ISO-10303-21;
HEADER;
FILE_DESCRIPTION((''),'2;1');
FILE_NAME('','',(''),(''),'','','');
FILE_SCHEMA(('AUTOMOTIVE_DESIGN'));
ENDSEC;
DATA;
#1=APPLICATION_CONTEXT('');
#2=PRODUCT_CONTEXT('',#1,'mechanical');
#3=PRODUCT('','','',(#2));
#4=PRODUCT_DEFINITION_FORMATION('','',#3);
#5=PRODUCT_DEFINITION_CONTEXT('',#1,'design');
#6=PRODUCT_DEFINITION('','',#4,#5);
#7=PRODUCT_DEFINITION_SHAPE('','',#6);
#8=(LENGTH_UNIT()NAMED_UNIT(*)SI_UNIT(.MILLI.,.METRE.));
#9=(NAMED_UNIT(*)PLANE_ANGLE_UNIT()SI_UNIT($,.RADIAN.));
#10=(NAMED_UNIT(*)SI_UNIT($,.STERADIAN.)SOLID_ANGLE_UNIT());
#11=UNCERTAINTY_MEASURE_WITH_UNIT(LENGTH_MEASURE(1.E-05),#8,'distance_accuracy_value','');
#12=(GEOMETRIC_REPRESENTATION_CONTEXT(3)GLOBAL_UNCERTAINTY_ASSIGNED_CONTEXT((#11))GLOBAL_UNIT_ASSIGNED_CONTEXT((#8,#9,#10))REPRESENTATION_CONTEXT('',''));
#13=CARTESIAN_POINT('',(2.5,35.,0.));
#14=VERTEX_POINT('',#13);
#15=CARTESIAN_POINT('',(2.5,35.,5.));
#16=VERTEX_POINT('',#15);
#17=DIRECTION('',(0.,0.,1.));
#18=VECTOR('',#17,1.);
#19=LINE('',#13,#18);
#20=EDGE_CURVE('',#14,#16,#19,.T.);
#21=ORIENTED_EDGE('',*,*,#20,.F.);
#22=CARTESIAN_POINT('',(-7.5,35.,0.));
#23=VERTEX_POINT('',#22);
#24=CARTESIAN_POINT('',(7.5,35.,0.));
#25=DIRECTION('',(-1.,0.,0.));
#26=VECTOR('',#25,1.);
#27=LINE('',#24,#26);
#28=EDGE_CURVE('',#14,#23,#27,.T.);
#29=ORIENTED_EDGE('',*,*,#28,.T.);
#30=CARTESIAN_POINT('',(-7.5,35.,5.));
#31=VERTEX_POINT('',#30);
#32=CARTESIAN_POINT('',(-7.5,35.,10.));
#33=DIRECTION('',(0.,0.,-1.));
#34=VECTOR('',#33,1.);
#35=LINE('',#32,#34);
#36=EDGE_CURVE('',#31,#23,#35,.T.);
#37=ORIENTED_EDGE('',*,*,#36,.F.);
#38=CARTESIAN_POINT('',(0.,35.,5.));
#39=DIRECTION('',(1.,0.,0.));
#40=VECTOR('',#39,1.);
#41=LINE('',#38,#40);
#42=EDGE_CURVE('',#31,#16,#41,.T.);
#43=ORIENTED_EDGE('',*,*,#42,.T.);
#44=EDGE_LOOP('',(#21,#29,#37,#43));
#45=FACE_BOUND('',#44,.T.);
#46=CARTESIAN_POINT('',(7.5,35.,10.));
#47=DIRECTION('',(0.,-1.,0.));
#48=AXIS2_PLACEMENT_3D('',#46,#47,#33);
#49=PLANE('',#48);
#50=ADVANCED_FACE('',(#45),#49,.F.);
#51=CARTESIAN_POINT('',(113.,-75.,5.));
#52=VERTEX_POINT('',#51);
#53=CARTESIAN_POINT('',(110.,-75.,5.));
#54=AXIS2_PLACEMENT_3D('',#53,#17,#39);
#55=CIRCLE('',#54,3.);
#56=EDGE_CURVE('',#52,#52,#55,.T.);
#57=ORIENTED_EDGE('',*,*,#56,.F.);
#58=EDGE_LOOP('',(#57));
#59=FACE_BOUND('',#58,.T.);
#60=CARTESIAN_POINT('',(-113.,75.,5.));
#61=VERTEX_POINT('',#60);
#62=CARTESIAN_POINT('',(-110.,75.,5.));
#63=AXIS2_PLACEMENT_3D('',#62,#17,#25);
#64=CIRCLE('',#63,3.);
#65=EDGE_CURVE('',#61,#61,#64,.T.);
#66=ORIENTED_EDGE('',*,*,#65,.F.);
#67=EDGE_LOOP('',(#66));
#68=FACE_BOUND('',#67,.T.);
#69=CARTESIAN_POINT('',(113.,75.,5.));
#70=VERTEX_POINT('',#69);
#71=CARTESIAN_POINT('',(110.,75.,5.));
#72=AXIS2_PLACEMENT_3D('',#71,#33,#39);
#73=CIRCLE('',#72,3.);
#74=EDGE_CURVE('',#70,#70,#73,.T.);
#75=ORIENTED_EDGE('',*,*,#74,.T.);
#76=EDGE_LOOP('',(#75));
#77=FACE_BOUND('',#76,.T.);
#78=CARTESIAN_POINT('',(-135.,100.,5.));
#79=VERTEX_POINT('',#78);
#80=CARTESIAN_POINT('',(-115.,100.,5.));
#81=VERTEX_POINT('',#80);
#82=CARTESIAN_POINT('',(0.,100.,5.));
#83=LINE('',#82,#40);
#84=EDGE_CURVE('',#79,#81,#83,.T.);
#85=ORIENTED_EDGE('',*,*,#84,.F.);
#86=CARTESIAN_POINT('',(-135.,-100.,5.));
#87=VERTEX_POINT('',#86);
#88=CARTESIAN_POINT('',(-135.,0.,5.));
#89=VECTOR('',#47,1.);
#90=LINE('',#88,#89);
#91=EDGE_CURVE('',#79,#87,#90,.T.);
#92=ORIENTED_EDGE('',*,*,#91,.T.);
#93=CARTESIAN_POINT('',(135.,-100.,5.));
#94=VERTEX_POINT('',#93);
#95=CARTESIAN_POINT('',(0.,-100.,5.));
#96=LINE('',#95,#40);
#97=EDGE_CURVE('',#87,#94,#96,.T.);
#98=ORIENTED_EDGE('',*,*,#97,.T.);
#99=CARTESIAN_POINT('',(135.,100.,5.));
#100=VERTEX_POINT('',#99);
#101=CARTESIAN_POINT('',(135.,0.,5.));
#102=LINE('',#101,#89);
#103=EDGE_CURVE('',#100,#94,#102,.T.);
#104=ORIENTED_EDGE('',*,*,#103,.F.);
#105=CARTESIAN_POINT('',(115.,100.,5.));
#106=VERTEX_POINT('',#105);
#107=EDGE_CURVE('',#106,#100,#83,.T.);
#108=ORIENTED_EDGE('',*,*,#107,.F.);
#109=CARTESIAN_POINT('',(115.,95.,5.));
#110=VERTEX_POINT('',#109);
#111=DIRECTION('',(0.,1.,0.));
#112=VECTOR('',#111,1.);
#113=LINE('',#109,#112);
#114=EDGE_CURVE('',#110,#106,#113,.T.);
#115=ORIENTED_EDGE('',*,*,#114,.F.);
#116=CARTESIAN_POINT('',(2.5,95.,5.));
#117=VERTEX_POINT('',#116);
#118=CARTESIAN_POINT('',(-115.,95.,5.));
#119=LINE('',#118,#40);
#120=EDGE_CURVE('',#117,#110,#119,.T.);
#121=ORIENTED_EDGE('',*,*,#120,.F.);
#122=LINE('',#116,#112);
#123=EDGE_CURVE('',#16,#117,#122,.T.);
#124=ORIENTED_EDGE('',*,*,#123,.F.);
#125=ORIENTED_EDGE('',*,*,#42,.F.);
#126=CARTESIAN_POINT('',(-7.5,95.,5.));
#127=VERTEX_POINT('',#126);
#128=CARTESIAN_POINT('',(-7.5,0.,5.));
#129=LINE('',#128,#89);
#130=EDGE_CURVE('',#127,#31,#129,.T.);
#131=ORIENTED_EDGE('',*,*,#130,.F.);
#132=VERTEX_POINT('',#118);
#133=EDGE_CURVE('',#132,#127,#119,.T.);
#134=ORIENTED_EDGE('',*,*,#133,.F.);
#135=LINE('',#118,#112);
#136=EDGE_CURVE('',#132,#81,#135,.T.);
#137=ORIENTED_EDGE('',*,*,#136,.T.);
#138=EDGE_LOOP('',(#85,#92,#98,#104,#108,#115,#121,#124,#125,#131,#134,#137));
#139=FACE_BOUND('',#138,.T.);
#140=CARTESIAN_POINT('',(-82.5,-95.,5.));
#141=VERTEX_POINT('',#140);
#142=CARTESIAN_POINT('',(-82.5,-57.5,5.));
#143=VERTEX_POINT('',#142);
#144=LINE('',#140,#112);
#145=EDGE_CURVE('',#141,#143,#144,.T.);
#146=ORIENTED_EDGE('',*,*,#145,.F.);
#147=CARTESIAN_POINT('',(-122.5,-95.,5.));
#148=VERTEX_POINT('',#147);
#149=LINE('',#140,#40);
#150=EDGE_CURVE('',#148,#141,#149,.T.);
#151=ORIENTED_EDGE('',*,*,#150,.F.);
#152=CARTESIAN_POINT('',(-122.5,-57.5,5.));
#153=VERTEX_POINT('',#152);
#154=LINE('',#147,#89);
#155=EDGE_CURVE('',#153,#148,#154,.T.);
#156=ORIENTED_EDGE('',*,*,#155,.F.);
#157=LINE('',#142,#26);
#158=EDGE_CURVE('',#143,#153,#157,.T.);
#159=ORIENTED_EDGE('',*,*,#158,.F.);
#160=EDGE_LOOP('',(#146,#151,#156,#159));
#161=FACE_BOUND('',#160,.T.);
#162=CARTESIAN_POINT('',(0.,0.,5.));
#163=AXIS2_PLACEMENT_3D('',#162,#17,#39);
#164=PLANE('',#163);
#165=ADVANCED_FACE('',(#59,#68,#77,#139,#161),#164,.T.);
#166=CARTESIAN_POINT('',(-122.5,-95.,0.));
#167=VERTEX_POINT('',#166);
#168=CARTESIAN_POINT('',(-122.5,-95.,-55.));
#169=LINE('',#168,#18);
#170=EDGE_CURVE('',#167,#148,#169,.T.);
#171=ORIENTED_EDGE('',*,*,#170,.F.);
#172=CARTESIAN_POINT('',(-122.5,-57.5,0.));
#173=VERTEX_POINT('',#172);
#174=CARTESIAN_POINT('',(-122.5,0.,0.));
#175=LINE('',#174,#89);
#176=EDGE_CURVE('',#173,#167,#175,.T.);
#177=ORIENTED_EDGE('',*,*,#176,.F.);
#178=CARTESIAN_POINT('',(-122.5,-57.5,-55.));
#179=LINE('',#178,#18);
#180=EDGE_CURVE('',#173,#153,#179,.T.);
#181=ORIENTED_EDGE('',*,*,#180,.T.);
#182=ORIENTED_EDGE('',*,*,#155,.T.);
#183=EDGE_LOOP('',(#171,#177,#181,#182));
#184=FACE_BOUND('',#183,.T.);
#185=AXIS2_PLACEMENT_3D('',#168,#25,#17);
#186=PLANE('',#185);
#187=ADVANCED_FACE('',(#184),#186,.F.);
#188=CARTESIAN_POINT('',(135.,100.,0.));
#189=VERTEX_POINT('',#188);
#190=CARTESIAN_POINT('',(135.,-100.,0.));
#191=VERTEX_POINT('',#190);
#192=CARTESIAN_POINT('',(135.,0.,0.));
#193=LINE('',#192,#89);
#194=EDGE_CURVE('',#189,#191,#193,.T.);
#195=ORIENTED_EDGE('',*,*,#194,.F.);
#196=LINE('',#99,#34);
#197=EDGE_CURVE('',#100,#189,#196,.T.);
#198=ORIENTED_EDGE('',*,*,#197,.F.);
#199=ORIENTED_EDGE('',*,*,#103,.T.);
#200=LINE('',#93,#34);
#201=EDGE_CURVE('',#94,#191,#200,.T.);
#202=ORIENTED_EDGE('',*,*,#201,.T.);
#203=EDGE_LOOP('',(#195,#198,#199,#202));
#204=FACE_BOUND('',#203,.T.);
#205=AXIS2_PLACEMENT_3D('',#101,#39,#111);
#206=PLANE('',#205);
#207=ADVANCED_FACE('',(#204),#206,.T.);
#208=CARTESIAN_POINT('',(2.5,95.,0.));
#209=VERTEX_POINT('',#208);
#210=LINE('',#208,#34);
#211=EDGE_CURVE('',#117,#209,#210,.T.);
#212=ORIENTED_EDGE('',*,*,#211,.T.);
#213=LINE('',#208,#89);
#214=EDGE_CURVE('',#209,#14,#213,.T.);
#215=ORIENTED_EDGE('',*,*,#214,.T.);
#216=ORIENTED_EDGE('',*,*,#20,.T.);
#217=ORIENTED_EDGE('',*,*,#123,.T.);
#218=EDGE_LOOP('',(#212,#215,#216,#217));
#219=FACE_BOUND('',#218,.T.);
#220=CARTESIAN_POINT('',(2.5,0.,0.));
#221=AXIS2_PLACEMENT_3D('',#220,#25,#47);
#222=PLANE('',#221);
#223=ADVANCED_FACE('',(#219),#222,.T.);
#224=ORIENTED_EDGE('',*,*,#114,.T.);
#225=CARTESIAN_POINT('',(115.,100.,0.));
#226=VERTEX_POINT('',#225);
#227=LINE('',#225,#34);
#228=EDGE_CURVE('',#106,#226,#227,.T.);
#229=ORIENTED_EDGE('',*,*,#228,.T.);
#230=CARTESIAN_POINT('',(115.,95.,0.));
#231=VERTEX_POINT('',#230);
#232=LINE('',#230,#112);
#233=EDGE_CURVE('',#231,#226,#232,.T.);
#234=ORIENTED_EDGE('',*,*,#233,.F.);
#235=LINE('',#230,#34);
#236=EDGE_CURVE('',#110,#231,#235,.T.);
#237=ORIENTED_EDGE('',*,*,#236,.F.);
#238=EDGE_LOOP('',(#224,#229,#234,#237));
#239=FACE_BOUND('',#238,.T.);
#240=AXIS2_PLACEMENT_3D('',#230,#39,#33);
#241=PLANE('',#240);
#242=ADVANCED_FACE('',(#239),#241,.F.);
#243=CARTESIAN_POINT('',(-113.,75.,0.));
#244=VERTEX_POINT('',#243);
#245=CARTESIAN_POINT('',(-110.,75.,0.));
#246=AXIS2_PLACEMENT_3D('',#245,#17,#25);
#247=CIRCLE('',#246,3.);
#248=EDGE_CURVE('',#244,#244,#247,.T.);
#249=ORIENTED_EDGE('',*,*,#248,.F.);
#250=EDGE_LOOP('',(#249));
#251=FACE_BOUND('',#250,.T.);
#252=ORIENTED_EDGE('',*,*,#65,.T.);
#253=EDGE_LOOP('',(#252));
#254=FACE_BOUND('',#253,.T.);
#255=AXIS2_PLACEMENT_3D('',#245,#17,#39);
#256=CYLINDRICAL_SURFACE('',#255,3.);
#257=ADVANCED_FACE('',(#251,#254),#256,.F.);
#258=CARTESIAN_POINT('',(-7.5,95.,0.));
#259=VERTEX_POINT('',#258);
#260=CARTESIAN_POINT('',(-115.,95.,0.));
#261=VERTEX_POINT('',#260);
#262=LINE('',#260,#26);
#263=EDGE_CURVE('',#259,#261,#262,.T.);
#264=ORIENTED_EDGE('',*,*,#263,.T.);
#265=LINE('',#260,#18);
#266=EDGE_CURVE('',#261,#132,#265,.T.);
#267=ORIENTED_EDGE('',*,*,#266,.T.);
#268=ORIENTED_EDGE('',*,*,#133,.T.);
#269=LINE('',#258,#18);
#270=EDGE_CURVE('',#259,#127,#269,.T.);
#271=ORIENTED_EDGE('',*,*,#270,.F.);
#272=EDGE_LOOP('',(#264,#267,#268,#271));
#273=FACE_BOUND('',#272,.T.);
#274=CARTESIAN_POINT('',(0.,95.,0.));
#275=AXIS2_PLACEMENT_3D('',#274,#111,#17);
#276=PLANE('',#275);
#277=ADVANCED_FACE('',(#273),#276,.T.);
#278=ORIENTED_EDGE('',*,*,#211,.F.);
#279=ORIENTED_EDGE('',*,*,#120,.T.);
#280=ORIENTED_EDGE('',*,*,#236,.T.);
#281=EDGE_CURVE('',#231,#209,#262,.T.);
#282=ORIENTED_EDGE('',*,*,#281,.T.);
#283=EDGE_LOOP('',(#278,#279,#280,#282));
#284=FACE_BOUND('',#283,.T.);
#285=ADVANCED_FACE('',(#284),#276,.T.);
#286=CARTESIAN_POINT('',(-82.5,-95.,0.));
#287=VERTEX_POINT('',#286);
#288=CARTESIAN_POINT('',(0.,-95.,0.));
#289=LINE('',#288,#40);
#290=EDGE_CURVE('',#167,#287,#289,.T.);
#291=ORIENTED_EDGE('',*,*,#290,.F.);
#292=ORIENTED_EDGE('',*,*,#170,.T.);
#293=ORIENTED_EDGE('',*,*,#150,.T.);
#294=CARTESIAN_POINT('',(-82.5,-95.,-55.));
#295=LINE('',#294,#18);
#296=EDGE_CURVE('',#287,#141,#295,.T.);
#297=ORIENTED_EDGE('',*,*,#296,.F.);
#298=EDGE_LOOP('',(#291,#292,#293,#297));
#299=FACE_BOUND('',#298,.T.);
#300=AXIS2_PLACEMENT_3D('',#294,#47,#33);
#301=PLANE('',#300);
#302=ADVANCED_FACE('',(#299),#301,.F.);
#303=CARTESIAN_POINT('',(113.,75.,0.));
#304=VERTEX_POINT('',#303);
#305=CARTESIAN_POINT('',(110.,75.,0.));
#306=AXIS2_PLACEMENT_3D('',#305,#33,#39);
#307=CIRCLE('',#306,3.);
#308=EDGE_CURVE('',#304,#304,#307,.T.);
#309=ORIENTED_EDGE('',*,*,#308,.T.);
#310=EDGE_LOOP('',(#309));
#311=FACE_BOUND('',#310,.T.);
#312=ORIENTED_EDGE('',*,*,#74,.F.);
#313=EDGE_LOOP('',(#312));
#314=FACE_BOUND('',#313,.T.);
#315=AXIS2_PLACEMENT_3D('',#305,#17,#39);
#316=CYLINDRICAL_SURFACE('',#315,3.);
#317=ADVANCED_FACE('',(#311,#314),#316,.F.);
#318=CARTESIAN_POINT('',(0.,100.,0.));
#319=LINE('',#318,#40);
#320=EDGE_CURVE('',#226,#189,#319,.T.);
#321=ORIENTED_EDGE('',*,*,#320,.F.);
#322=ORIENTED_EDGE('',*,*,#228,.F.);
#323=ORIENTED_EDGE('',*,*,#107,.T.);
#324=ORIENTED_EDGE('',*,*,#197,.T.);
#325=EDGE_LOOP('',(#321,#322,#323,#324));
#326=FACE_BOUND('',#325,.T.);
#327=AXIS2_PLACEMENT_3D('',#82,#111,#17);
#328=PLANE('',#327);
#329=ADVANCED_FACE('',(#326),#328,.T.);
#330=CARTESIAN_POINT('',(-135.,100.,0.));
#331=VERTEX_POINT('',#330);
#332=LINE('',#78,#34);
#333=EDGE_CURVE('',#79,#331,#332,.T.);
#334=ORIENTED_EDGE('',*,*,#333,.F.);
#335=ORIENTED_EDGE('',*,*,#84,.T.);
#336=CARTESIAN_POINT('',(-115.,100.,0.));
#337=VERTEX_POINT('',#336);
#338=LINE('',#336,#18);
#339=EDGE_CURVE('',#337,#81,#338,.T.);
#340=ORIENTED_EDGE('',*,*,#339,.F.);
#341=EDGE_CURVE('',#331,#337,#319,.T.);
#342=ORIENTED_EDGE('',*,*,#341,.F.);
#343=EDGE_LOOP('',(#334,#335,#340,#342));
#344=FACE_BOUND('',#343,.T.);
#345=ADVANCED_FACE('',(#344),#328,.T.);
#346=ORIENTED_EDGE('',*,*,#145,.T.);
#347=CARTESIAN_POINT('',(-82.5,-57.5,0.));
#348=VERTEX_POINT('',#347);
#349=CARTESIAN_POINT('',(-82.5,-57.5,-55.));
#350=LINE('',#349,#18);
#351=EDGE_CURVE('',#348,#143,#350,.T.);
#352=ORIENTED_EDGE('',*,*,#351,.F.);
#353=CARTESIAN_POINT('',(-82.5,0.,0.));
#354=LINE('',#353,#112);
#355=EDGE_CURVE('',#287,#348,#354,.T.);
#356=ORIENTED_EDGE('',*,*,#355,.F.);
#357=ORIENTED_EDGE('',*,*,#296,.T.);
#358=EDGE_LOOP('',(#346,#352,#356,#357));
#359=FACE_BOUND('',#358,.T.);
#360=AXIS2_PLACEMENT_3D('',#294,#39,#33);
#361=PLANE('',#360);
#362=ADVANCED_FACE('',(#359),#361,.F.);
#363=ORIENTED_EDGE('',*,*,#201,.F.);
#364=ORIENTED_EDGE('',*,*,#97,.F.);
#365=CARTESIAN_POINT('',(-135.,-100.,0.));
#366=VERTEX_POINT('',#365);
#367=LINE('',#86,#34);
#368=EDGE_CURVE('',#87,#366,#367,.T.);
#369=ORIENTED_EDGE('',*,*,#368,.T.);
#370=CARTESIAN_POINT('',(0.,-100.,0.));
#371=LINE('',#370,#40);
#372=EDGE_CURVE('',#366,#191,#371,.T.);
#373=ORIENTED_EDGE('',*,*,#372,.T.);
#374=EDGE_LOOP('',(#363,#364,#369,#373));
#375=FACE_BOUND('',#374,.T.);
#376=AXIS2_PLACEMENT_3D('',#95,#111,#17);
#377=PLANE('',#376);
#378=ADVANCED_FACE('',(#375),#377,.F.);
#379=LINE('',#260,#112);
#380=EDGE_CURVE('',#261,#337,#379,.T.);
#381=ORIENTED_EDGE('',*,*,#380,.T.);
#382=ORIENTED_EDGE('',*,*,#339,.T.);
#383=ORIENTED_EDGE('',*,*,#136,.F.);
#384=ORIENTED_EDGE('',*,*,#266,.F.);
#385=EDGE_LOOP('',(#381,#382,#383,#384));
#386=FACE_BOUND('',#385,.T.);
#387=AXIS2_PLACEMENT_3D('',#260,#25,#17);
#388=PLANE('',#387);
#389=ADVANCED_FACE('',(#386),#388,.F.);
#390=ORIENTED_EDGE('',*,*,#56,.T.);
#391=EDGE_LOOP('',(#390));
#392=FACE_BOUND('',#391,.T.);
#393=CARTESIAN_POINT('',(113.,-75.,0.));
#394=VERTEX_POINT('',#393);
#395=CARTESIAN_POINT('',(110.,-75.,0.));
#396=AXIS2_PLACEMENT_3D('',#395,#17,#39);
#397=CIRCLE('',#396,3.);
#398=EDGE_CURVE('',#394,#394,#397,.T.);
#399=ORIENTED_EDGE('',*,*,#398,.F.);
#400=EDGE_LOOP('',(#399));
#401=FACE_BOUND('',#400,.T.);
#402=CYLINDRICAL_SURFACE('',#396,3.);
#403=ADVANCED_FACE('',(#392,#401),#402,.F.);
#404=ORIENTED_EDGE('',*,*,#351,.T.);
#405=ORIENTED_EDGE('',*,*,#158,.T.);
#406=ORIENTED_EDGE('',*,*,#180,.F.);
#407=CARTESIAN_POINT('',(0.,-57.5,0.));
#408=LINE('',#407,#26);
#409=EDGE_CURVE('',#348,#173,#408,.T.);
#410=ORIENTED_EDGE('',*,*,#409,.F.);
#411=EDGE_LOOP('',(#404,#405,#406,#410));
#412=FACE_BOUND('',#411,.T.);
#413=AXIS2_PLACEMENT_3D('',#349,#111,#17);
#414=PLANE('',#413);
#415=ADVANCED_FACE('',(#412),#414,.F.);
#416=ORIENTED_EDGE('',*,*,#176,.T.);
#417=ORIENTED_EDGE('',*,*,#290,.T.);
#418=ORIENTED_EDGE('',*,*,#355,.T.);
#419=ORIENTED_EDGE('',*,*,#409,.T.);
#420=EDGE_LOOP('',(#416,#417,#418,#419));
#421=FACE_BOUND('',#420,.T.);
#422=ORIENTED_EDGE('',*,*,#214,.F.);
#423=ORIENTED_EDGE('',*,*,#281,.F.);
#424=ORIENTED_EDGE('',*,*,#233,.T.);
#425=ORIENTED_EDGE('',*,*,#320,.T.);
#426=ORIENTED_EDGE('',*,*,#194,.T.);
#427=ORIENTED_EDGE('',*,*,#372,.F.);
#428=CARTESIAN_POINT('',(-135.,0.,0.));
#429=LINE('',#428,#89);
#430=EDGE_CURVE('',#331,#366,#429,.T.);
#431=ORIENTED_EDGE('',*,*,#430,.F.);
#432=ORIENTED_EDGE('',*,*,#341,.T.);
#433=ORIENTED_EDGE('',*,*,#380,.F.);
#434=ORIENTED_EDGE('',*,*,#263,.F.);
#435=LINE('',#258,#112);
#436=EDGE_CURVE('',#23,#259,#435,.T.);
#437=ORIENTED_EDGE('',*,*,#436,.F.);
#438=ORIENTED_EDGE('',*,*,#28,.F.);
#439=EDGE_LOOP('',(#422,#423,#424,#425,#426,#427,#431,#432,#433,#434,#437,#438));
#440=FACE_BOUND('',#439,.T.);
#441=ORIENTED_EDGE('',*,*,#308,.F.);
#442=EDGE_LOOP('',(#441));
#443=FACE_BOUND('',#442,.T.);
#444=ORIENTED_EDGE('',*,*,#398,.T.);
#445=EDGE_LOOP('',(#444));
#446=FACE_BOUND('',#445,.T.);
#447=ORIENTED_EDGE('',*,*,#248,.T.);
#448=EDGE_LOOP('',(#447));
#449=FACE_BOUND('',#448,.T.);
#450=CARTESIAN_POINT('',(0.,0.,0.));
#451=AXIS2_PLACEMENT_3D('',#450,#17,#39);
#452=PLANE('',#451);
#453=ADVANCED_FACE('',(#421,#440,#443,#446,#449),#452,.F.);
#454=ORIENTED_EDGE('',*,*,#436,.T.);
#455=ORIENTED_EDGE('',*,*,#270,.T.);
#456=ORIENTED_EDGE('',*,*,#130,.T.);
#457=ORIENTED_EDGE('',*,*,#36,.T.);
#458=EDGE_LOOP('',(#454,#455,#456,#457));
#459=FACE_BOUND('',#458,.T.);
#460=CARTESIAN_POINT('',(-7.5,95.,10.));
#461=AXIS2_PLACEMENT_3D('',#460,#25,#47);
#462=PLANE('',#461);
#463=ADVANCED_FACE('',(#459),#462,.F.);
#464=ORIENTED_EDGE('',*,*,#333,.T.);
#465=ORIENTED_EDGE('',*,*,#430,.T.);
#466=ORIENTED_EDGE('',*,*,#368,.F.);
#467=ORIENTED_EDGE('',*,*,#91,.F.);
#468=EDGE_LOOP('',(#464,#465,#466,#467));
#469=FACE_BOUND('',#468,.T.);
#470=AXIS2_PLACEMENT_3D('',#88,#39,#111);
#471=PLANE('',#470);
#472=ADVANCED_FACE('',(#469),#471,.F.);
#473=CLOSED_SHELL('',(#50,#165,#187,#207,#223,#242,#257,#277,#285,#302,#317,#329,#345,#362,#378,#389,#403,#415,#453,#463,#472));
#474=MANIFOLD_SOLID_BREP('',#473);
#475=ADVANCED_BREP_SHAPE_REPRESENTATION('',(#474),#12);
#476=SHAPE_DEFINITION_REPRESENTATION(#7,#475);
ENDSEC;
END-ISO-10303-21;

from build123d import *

# Parameters (mm, degrees)
BOSS_EXTRU_2_DEPTH        = 5
ESQUISSE2_R               = 3
ENL_V_MAT_EXTRU_1_DEPTH   = 169.07736314
SYM_TRIE2_COPY_1_SKETCH_R = 3
SYM_TRIE2_COPY_1_DEPTH    = 169.07736314
ESQUISSE4_W               = 40
ESQUISSE4_H               = 37.5
ENL_V_MAT_EXTRU_2_DEPTH   = 60
ESQUISSE5_W               = 45
ESQUISSE5_H               = 5
BOSS_EXTRU_3_DEPTH        = 60
ESQUISSE7_W               = 230
ESQUISSE7_H               = 5
ENL_V_MAT_EXTRU_3_DEPTH   = 5
ESQUISSE11_W              = 15
ESQUISSE11_H              = 60
ENL_V_MAT_EXTRU_4_DEPTH   = 10
ESQUISSE12_W              = 5
ESQUISSE12_H              = 60
BOSS_EXTRU_4_DEPTH        = 5


with BuildPart() as part:
    # Esquisse1 → Boss.-Extru.2 (new body)
    with BuildSketch(Plane.XY):
        Polygon((135, 100), (-135, 100), (-135, 22.5), (-90, 22.5), (-90, -22.5), (-135, -22.5), (-135, -100), (135, -100), align=None)
    extrude(amount=BOSS_EXTRU_2_DEPTH)

    # Esquisse2 → Enlèv. mat.-Extru.1 (cut, through all)
    with BuildSketch(Plane.XY.offset(5)):
        with Locations((110, -75)):
            Circle(ESQUISSE2_R)
    enl_v_mat_extru_1 = extrude(amount=-ENL_V_MAT_EXTRU_1_DEPTH, mode=Mode.SUBTRACT)

    # Symétrie1: Enlèv. mat.-Extru.1 across plane
    add(enl_v_mat_extru_1.mirror(Plane(origin=(0, 0, 0), x_dir=(0, 0, 1), z_dir=(1, 0, 0))), mode=Mode.SUBTRACT)

    # Symétrie2: Enlèv. mat.-Extru.1 across plane
    add(enl_v_mat_extru_1.mirror(Plane(origin=(0, 0, 0), x_dir=(0, 0, 1), z_dir=(0, -1, 0))), mode=Mode.SUBTRACT)

    # Symétrie2 copy 1 sketch → Symétrie2 copy 1 (cut, through all)
    with BuildSketch(Plane(origin=(0, 0, 5), x_dir=(-1, 0, 0), z_dir=(0, 0, 1))):
        with Locations((110, -75)):
            Circle(SYM_TRIE2_COPY_1_SKETCH_R)
    extrude(amount=-SYM_TRIE2_COPY_1_DEPTH, mode=Mode.SUBTRACT)

    # Esquisse4 → Enlèv. mat.-Extru.2 (cut)
    with BuildSketch(Plane.XY.offset(5)):
        with Locations((-102.5, -76.25)):
            Rectangle(ESQUISSE4_W, ESQUISSE4_H)
    extrude(amount=-ENL_V_MAT_EXTRU_2_DEPTH, mode=Mode.SUBTRACT)

    # Esquisse5 → Boss.-Extru.3 (add)
    with BuildSketch(Plane(origin=(0, -22.5, 0), x_dir=(1, 0, 0), z_dir=(0, 1, 0))):
        with Locations((-112.5, -2.5)):
            Rectangle(ESQUISSE5_W, ESQUISSE5_H)
    extrude(amount=BOSS_EXTRU_3_DEPTH)

    # Esquisse7 → Enlèv. mat.-Extru.3 (cut)
    with BuildSketch(Plane(origin=(0, 100, 0), x_dir=(1, 0, 0), z_dir=(0, 1, 0))):
        with Locations((0, -2.5)):
            Rectangle(ESQUISSE7_W, ESQUISSE7_H)
    extrude(amount=-ENL_V_MAT_EXTRU_3_DEPTH, mode=Mode.SUBTRACT)

    # Esquisse11 → Enlèv. mat.-Extru.4 (cut)
    with BuildSketch(Plane(origin=(0, 0, 0), x_dir=(-1, 0, 0), z_dir=(0, 0, -1))):
        with Locations((0, 65)):
            Rectangle(ESQUISSE11_W, ESQUISSE11_H)
    extrude(amount=-ENL_V_MAT_EXTRU_4_DEPTH, mode=Mode.SUBTRACT)

    # Esquisse12 → Boss.-Extru.4 (add)
    with BuildSketch(Plane.ZY.offset(-7.5)):
        with Locations((2.5, 65)):
            Rectangle(ESQUISSE12_W, ESQUISSE12_H)
    extrude(amount=BOSS_EXTRU_4_DEPTH)


solid = part.part
